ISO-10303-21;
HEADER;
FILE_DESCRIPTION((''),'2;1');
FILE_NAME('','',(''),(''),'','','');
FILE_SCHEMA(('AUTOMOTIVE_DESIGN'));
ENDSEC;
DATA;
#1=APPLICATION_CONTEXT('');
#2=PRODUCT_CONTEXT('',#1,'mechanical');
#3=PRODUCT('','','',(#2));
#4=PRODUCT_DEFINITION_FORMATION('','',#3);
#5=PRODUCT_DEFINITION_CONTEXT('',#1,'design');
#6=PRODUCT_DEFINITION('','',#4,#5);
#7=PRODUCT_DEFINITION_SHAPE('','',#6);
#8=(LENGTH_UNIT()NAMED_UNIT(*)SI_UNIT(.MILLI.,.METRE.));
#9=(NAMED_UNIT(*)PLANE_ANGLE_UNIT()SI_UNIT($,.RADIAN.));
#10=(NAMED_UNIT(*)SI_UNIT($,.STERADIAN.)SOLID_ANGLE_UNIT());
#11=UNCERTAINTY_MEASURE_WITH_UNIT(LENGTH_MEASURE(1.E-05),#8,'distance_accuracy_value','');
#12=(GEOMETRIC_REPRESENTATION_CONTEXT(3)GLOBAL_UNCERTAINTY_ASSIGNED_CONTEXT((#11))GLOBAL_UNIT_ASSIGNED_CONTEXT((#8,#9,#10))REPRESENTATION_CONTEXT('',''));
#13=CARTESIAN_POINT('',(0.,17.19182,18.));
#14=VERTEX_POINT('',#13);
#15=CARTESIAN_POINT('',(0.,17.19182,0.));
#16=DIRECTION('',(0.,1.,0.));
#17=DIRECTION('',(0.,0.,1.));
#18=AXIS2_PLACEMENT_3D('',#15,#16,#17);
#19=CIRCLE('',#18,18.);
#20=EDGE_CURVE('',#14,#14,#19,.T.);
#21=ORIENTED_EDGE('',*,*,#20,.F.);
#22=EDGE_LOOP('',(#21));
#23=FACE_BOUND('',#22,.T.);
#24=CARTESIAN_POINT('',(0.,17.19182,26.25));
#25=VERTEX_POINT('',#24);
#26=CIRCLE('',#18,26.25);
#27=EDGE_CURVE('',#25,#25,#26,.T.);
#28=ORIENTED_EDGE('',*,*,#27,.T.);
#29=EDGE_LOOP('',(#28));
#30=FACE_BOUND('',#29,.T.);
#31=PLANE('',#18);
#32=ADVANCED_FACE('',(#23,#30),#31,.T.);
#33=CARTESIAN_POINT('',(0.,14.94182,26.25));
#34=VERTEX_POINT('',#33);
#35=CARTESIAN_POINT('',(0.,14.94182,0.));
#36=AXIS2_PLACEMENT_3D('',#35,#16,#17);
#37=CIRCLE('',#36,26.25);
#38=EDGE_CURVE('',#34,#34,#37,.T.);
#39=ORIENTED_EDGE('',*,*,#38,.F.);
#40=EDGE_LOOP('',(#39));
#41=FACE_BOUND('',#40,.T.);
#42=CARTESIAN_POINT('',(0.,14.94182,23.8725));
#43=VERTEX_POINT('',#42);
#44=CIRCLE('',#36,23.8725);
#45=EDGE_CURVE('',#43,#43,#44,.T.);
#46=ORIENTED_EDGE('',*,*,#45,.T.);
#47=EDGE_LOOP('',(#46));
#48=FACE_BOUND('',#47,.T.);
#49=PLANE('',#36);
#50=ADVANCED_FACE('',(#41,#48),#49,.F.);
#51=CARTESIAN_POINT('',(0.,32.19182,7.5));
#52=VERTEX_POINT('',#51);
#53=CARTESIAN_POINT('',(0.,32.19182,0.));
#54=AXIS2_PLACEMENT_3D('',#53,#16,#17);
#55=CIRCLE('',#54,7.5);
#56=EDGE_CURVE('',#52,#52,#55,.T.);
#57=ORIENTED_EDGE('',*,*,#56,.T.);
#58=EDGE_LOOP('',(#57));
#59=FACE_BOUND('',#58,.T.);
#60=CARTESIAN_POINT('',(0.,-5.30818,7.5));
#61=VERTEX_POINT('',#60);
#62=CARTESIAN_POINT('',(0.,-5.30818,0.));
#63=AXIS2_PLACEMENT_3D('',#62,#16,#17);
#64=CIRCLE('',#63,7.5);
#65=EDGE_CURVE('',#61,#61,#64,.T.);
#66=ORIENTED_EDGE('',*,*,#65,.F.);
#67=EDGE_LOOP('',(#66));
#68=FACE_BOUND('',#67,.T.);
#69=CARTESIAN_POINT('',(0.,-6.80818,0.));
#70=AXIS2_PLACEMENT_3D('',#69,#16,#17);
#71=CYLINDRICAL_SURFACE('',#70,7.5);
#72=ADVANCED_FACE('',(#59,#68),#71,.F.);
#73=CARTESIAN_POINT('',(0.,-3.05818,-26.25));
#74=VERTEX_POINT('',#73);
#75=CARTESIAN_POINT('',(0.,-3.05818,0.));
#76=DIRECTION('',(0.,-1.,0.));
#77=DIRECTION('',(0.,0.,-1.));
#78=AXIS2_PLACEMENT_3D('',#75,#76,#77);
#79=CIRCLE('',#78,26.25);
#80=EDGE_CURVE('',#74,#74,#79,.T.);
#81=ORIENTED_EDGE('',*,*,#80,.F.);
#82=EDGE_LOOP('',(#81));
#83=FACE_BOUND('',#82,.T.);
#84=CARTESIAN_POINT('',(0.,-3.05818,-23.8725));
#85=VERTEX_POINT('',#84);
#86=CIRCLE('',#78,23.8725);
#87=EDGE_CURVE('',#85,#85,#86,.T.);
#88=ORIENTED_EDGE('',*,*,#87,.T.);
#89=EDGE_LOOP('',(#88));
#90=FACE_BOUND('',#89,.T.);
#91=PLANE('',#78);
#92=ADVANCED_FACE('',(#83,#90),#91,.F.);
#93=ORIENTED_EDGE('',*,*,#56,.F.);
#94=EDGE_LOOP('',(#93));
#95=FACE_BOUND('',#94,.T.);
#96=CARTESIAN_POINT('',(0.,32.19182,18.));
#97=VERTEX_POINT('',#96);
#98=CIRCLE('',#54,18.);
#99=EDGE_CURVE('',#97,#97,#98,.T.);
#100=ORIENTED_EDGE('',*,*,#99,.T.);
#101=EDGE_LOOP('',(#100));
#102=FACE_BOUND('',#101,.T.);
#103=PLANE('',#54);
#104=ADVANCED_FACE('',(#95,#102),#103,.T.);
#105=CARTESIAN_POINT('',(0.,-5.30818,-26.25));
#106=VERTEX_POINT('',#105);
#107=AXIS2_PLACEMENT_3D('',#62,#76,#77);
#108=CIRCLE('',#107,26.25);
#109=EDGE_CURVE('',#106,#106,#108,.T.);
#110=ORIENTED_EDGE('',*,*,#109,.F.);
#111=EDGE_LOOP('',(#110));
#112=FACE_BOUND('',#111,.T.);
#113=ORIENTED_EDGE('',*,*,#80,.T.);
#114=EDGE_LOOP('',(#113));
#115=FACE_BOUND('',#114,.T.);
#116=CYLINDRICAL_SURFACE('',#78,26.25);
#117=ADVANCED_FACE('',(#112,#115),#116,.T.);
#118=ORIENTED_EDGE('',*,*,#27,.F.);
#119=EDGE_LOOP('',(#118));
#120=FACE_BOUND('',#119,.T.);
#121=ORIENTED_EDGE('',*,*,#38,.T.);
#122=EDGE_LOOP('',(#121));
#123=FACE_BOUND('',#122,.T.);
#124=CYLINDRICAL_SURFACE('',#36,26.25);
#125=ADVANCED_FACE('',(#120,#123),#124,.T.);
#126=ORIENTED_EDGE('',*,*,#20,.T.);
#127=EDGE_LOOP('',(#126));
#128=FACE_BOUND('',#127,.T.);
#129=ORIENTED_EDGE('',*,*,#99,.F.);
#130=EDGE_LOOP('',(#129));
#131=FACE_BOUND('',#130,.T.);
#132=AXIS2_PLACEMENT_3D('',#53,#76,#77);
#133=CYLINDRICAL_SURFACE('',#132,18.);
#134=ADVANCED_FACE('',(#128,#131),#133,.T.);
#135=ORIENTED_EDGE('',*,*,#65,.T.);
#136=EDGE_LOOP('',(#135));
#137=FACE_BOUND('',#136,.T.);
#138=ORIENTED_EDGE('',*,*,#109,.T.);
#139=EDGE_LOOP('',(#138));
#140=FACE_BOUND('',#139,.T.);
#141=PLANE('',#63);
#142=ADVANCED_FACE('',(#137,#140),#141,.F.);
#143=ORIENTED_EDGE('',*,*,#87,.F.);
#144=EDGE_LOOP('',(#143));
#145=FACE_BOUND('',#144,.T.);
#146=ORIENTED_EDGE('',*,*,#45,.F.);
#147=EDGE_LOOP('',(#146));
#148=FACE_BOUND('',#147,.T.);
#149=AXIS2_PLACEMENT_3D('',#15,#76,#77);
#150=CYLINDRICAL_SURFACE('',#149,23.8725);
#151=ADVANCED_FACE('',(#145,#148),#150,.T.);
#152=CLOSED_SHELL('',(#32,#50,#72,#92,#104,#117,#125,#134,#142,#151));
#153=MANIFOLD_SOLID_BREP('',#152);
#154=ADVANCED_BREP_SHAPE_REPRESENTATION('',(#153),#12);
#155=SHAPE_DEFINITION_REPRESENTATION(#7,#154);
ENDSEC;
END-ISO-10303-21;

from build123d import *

# Parameters (mm, degrees)
SKETCH1_R           = 24.255
BOSS_EXTRUDE1_DEPTH = 15
SKETCH2_R           = 12
BOSS_EXTRUDE2_DEPTH = 10
SKETCH3_R           = 5
CUT_EXTRUDE1_DEPTH  = 26
SKETCH4_R           = 24.255
SKETCH4_R_2         = 15.915
CUT_EXTRUDE3_DEPTH  = 15
SKETCH5_R           = 17.5
SKETCH5_R_2         = 15.915
BOSS_EXTRUDE3_DEPTH = 1.5
SKETCH6_R           = 17.5
SKETCH6_R_2         = 15.915
BOSS_EXTRUDE4_DEPTH = 1.5
SCALE1_SCALE        = 1.5


with BuildPart() as part:
    # Sketch1 → Boss-Extrude1 (new body)
    with BuildSketch(Plane(origin=(0, 0, 0), x_dir=(1, 0, 0), z_dir=(0, 1, 0))):
        Circle(SKETCH1_R)
    extrude(amount=BOSS_EXTRUDE1_DEPTH)

    # Sketch2 → Boss-Extrude2 (add)
    with BuildSketch(Plane(origin=(0, 15, 0), x_dir=(1, 0, 0), z_dir=(0, 1, 0))):
        Circle(SKETCH2_R)
    extrude(amount=BOSS_EXTRUDE2_DEPTH)

    # Sketch3 → Cut-Extrude1 (cut)
    with BuildSketch(Plane(origin=(0, 25, 0), x_dir=(1, 0, 0), z_dir=(0, 1, 0))):
        Circle(SKETCH3_R)
    extrude(amount=-CUT_EXTRUDE1_DEPTH, mode=Mode.SUBTRACT)

    # Sketch4 → Cut-Extrude3 (cut)
    with BuildSketch(Plane.XZ):
        Circle(SKETCH4_R)
        Circle(SKETCH4_R_2, mode=Mode.SUBTRACT)
    extrude(amount=-CUT_EXTRUDE3_DEPTH, mode=Mode.SUBTRACT)

    # Sketch5 → Boss-Extrude3 (add)
    with BuildSketch(Plane.XZ):
        Circle(SKETCH5_R)
        Circle(SKETCH5_R_2, mode=Mode.SUBTRACT)
    extrude(amount=-BOSS_EXTRUDE3_DEPTH)

    # Sketch6 → Boss-Extrude4 (add)
    with BuildSketch(Plane(origin=(0, 15, 0), x_dir=(1, 0, 0), z_dir=(0, 1, 0))):
        Circle(SKETCH6_R)
        Circle(SKETCH6_R_2, mode=Mode.SUBTRACT)
    extrude(amount=-BOSS_EXTRUDE4_DEPTH)


with BuildPart() as part_1:
    # Scale1: scaled about (0, 10.616360153, 0)
    add(part.part.scale(SCALE1_SCALE).moved(Location((0, -5.308180077, 0))))


solid = part_1.part
